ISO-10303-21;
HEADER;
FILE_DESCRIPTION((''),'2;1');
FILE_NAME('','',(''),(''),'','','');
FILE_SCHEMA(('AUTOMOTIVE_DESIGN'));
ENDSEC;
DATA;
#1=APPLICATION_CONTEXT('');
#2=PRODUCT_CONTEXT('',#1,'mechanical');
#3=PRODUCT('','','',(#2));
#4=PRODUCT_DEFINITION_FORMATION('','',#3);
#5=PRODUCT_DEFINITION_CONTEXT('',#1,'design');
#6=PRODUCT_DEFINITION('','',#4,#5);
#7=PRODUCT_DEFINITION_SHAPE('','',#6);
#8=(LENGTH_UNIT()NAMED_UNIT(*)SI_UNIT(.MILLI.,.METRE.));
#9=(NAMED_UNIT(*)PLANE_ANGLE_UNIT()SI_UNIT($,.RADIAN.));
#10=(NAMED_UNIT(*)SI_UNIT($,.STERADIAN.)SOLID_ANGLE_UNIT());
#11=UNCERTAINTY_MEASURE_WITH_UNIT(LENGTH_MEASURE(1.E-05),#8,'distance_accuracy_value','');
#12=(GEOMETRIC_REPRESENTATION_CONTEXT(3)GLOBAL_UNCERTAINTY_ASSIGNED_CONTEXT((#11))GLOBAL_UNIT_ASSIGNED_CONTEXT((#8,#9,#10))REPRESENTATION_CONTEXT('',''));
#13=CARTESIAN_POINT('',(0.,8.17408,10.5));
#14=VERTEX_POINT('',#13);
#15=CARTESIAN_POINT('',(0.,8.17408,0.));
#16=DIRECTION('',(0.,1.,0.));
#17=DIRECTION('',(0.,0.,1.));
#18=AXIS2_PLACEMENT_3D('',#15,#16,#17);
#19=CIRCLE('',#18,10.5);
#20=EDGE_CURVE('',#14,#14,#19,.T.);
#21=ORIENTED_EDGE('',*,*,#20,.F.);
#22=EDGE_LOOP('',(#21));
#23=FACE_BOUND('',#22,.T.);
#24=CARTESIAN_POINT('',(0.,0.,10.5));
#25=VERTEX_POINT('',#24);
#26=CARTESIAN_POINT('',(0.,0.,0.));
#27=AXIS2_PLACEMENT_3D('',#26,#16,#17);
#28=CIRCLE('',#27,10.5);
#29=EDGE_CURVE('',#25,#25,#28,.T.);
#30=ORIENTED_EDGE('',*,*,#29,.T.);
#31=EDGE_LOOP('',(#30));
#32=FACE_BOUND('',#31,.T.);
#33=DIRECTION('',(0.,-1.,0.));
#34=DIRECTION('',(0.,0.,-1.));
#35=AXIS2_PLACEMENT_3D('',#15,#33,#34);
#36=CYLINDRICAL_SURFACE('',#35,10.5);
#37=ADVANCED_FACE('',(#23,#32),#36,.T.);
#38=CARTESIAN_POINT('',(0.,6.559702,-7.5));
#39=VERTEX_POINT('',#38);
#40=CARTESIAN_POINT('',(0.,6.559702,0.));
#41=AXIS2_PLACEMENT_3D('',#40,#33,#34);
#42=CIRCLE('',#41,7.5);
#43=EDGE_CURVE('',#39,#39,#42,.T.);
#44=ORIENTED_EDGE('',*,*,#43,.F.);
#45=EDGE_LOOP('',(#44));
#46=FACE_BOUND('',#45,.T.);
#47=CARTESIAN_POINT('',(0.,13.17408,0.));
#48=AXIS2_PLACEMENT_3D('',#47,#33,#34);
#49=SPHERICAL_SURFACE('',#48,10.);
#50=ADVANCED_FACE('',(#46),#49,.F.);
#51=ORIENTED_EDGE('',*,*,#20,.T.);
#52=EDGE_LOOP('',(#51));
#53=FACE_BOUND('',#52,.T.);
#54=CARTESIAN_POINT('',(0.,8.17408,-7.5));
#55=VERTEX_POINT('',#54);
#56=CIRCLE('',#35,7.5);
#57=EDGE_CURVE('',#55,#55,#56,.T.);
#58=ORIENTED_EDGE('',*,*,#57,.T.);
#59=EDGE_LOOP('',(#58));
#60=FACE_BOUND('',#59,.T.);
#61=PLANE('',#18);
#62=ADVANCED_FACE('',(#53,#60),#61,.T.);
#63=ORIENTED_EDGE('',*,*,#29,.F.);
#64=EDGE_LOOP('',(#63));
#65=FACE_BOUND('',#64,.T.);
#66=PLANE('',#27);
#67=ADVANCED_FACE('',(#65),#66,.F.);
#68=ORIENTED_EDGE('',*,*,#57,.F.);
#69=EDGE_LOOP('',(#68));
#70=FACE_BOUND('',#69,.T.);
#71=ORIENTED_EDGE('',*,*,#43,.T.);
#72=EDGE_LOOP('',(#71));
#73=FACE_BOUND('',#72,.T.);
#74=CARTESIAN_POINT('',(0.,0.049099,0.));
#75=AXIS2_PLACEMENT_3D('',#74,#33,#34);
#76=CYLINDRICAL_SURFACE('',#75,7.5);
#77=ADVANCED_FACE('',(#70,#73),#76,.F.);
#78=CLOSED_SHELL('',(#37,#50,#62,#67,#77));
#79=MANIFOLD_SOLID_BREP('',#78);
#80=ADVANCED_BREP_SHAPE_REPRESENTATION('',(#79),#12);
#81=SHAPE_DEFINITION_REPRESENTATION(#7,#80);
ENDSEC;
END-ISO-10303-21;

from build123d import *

# Parameters (mm, degrees)
SKETCH1_R           = 10.5
BOSS_EXTRUDE1_DEPTH = 8.17408016


with BuildPart() as part:
    # Sketch1 → Boss-Extrude1 (new body)
    with BuildSketch(Plane(origin=(0, 0, 0), x_dir=(1, 0, 0), z_dir=(0, 1, 0))):
        Circle(SKETCH1_R)
    extrude(amount=BOSS_EXTRUDE1_DEPTH)

    # Sketch2 → Cut-Revolve2 (revolve, cut)
    with BuildSketch(Plane(origin=(0, 0, 0), x_dir=(0, 0, -1), z_dir=(1, 0, 0))):
        with BuildLine():
            Line((0, 8.17408016), (7.5, 8.17408016))
            Line((7.5, 8.17408016), (7.5, 6.559701883))
            ThreePointArc((7.5, 6.559701883), (4.114378278, 4.059701883), (0, 3.17408016))
            Line((0, 3.17408016), (0, 8.17408016))
        make_face()
    revolve(axis=Axis((0, 0.049098768, 0), (0, 1, 0)), mode=Mode.SUBTRACT)


solid = part.part
